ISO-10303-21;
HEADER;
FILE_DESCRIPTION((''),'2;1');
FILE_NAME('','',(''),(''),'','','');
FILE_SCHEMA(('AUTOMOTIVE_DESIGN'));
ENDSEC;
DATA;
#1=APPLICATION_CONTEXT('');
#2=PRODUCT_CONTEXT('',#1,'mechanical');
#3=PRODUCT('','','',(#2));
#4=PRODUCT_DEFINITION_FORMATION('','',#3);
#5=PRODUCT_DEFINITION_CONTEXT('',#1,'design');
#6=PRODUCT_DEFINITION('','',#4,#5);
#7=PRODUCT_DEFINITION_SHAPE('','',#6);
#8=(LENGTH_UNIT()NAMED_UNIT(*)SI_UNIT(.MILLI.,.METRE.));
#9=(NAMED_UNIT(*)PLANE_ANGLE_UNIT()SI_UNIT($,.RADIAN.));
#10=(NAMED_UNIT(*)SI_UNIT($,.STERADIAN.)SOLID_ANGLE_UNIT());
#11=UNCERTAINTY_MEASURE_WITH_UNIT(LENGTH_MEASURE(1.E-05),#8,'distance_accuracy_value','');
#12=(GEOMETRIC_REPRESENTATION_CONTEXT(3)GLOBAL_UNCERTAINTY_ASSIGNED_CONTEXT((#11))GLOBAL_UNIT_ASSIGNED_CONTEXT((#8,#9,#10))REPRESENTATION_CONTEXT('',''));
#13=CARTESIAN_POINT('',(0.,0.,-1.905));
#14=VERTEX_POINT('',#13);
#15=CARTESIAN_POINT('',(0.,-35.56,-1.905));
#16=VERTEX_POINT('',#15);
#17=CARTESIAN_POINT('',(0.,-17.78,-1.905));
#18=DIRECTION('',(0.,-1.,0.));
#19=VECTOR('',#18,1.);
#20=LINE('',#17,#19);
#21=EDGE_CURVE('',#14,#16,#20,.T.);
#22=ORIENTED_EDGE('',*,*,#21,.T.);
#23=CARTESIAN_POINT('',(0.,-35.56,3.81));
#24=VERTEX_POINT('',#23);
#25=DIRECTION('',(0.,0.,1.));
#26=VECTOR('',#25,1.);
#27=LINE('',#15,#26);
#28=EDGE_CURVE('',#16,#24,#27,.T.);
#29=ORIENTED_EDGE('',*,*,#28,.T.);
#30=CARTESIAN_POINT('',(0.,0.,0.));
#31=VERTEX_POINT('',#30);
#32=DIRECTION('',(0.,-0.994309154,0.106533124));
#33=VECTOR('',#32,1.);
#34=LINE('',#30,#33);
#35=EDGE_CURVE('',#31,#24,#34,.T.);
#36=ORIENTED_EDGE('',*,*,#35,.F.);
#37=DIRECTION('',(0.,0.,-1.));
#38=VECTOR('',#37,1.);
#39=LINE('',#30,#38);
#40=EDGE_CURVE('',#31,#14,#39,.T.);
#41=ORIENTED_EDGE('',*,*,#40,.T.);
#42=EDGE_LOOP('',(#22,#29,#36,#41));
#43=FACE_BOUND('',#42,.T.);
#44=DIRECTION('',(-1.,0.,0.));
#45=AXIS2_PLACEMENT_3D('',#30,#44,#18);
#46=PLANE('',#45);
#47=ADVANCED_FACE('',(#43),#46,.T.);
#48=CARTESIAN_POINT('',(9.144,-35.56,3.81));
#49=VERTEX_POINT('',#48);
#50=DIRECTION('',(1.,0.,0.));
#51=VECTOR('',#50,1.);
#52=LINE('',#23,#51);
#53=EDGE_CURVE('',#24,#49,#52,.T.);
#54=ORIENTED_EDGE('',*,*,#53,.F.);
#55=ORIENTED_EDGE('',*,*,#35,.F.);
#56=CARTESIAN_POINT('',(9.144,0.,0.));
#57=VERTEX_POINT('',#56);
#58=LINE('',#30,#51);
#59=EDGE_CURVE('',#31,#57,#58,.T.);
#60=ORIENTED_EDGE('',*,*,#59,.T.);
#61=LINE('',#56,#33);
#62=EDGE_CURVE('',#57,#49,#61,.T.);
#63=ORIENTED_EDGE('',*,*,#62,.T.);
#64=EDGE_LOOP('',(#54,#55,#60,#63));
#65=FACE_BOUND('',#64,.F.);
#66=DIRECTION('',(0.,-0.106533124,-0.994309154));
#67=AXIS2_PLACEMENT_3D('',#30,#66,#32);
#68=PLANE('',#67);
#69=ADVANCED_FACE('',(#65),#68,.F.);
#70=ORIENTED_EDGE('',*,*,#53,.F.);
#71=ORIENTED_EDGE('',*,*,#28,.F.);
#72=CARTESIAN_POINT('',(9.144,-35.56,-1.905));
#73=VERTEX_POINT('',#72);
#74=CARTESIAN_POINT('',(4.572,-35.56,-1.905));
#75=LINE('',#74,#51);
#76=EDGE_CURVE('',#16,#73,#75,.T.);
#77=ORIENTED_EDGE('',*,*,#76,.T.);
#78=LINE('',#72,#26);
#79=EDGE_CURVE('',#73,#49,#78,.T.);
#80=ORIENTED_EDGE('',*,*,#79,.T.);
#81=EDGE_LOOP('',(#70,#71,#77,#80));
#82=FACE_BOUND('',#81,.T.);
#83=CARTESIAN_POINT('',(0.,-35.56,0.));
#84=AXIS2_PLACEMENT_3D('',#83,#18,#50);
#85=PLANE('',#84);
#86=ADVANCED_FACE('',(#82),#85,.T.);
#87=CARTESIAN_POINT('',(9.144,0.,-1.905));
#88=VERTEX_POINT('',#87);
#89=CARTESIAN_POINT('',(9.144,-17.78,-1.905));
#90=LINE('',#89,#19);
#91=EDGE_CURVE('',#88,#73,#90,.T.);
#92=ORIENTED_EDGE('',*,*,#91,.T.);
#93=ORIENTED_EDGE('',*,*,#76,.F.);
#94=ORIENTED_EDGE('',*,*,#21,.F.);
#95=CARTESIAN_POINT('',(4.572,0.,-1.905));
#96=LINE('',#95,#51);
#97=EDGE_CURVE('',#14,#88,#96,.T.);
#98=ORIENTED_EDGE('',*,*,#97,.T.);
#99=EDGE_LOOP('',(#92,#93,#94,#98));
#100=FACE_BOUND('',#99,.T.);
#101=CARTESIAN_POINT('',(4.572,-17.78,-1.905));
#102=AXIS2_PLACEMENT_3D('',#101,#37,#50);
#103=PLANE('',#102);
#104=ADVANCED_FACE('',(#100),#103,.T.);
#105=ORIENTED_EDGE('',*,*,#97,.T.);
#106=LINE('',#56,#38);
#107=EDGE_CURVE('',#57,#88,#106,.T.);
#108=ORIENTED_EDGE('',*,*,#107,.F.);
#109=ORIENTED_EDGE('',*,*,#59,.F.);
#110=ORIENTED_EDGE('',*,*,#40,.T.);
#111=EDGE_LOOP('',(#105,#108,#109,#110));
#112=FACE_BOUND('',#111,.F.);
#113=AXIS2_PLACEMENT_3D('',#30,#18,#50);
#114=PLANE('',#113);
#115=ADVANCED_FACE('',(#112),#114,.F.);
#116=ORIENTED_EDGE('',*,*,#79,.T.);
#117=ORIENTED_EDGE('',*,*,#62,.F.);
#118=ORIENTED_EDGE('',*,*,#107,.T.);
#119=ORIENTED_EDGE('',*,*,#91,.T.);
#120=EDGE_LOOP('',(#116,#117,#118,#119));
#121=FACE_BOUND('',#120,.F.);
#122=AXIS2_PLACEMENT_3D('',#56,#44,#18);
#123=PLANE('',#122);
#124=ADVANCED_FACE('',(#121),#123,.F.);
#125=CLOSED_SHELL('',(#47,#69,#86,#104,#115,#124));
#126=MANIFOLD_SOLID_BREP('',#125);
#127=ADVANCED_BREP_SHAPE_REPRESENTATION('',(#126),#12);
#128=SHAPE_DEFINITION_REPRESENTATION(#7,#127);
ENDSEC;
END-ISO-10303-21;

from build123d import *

# Parameters (mm, degrees)
F1_DEPTH  = 9.144
F1_FACE_W = 9.144
F1_FACE_H = 35.56
F2_DEPTH  = 1.905


with BuildPart() as f1:
    # F0 (on Right) → F1 (new body)
    with BuildSketch(Plane.YZ):
        Polygon((-35.56, 0), (0, 0), (-35.56, 3.81), align=None)
    extrude(amount=F1_DEPTH)

    # F1_face (on face) → F2 (join)
    with BuildSketch(Plane(origin=(4.572, -17.78, 0), x_dir=(1, 0, 0), z_dir=(0, 0, -1))):
        Rectangle(F1_FACE_W, F1_FACE_H)
    extrude(amount=F2_DEPTH)


solid = f1.part
